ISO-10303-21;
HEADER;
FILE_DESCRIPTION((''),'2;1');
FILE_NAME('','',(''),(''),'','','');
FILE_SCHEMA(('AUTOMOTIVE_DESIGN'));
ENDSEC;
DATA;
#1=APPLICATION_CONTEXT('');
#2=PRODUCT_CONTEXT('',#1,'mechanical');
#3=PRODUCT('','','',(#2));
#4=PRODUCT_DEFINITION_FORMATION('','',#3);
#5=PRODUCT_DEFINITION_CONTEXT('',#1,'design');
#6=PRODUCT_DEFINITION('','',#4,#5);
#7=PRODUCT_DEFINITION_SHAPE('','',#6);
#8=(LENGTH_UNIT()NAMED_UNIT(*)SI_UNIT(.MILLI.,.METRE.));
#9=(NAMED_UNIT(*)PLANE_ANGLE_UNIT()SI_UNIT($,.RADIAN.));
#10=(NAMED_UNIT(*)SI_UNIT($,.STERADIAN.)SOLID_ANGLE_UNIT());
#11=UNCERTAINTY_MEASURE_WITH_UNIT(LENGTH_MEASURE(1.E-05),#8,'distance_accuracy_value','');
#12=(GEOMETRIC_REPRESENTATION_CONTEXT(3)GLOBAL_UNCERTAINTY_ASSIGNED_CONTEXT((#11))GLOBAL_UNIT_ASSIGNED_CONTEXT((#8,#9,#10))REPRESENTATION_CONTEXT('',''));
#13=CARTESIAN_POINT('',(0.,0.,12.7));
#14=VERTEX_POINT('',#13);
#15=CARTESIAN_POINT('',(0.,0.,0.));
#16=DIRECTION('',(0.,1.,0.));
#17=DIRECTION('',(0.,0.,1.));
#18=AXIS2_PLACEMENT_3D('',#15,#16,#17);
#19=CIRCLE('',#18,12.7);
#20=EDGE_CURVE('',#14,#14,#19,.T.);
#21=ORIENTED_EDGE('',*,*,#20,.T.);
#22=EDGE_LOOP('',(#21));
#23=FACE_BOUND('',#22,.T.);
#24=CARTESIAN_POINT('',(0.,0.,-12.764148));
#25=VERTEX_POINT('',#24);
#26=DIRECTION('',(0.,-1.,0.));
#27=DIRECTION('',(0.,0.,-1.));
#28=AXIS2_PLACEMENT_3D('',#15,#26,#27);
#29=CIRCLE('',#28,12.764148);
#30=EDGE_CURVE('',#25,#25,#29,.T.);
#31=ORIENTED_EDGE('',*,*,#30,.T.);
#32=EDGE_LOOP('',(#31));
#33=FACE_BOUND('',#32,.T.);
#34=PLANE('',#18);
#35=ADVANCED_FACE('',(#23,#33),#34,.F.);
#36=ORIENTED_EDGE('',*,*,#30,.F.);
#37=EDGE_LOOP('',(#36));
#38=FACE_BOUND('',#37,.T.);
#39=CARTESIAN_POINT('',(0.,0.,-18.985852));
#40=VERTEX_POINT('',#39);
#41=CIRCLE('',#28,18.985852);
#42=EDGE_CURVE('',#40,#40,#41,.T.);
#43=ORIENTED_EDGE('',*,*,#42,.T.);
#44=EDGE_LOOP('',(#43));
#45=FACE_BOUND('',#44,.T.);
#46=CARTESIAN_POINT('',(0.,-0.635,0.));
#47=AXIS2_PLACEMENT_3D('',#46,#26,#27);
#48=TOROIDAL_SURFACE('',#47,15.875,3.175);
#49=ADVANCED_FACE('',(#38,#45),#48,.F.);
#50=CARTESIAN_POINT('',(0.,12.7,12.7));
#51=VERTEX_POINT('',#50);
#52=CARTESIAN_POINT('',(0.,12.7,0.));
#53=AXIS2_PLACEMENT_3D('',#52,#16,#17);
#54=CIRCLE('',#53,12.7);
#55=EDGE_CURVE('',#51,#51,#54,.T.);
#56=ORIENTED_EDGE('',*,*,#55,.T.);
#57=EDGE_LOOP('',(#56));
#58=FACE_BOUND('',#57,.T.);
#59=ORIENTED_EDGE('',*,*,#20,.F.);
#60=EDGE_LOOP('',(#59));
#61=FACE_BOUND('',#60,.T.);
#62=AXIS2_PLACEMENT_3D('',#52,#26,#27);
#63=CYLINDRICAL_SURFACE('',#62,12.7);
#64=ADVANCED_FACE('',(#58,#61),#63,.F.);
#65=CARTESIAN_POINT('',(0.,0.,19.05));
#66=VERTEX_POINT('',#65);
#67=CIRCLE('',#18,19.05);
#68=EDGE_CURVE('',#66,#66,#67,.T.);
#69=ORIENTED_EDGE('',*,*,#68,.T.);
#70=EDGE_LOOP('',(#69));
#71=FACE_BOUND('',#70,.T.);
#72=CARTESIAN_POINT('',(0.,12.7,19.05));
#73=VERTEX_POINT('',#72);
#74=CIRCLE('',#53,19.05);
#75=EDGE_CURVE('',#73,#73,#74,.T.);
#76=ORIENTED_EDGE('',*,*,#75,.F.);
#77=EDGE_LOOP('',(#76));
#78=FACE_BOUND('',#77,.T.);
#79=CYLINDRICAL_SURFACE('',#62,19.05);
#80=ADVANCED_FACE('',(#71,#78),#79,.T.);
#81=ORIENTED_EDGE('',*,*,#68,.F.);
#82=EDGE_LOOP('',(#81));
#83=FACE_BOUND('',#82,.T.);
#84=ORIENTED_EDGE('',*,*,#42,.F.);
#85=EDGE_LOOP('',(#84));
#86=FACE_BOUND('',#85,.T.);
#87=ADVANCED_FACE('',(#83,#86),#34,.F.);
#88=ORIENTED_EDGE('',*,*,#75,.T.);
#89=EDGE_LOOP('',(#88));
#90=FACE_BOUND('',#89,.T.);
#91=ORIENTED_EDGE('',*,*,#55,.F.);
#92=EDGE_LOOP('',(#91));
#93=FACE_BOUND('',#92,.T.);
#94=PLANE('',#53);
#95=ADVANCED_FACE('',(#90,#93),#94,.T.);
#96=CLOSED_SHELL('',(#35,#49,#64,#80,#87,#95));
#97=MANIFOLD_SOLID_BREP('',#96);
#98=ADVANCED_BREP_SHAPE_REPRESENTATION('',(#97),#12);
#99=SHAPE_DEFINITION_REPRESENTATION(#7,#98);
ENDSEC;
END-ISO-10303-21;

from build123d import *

# Parameters (mm, degrees)
SKETCH1_R           = 19.05
SKETCH1_R_2         = 12.7
BOSS_EXTRUDE2_DEPTH = 12.7


with BuildPart() as part:
    # Sketch1 → Boss-Extrude2 (new body)
    with BuildSketch(Plane(origin=(0, 0, 0), x_dir=(1, 0, 0), z_dir=(0, 1, 0))):
        with Locations(Location((0, 0, 0), (0, 0, 270))):
            Circle(SKETCH1_R)
        with Locations(Location((0, 0, 0), (0, 0, 270))):
            Circle(SKETCH1_R_2, mode=Mode.SUBTRACT)
    extrude(amount=BOSS_EXTRUDE2_DEPTH)

    # Sketch2 → Cut-Revolve1 (revolve, cut)
    with BuildSketch(Plane(origin=(0, 0, 0), x_dir=(0, 0, -1), z_dir=(1, 0, 0)), mode=Mode.PRIVATE) as cut_revolve1_sk:
        with BuildLine():
            Line((-18.985851973, 0), (-12.764148027, 0))
            ThreePointArc((-12.764148027, 0), (-15.875, 2.54), (-18.985851973, 0))
        make_face()
    revolve(cut_revolve1_sk.sketch.rotate(Axis((0, 0, 0), (0, 1, 0)), 180), axis=Axis((0, 0, 0), (0, 1, 0)), mode=Mode.SUBTRACT)


solid = part.part
